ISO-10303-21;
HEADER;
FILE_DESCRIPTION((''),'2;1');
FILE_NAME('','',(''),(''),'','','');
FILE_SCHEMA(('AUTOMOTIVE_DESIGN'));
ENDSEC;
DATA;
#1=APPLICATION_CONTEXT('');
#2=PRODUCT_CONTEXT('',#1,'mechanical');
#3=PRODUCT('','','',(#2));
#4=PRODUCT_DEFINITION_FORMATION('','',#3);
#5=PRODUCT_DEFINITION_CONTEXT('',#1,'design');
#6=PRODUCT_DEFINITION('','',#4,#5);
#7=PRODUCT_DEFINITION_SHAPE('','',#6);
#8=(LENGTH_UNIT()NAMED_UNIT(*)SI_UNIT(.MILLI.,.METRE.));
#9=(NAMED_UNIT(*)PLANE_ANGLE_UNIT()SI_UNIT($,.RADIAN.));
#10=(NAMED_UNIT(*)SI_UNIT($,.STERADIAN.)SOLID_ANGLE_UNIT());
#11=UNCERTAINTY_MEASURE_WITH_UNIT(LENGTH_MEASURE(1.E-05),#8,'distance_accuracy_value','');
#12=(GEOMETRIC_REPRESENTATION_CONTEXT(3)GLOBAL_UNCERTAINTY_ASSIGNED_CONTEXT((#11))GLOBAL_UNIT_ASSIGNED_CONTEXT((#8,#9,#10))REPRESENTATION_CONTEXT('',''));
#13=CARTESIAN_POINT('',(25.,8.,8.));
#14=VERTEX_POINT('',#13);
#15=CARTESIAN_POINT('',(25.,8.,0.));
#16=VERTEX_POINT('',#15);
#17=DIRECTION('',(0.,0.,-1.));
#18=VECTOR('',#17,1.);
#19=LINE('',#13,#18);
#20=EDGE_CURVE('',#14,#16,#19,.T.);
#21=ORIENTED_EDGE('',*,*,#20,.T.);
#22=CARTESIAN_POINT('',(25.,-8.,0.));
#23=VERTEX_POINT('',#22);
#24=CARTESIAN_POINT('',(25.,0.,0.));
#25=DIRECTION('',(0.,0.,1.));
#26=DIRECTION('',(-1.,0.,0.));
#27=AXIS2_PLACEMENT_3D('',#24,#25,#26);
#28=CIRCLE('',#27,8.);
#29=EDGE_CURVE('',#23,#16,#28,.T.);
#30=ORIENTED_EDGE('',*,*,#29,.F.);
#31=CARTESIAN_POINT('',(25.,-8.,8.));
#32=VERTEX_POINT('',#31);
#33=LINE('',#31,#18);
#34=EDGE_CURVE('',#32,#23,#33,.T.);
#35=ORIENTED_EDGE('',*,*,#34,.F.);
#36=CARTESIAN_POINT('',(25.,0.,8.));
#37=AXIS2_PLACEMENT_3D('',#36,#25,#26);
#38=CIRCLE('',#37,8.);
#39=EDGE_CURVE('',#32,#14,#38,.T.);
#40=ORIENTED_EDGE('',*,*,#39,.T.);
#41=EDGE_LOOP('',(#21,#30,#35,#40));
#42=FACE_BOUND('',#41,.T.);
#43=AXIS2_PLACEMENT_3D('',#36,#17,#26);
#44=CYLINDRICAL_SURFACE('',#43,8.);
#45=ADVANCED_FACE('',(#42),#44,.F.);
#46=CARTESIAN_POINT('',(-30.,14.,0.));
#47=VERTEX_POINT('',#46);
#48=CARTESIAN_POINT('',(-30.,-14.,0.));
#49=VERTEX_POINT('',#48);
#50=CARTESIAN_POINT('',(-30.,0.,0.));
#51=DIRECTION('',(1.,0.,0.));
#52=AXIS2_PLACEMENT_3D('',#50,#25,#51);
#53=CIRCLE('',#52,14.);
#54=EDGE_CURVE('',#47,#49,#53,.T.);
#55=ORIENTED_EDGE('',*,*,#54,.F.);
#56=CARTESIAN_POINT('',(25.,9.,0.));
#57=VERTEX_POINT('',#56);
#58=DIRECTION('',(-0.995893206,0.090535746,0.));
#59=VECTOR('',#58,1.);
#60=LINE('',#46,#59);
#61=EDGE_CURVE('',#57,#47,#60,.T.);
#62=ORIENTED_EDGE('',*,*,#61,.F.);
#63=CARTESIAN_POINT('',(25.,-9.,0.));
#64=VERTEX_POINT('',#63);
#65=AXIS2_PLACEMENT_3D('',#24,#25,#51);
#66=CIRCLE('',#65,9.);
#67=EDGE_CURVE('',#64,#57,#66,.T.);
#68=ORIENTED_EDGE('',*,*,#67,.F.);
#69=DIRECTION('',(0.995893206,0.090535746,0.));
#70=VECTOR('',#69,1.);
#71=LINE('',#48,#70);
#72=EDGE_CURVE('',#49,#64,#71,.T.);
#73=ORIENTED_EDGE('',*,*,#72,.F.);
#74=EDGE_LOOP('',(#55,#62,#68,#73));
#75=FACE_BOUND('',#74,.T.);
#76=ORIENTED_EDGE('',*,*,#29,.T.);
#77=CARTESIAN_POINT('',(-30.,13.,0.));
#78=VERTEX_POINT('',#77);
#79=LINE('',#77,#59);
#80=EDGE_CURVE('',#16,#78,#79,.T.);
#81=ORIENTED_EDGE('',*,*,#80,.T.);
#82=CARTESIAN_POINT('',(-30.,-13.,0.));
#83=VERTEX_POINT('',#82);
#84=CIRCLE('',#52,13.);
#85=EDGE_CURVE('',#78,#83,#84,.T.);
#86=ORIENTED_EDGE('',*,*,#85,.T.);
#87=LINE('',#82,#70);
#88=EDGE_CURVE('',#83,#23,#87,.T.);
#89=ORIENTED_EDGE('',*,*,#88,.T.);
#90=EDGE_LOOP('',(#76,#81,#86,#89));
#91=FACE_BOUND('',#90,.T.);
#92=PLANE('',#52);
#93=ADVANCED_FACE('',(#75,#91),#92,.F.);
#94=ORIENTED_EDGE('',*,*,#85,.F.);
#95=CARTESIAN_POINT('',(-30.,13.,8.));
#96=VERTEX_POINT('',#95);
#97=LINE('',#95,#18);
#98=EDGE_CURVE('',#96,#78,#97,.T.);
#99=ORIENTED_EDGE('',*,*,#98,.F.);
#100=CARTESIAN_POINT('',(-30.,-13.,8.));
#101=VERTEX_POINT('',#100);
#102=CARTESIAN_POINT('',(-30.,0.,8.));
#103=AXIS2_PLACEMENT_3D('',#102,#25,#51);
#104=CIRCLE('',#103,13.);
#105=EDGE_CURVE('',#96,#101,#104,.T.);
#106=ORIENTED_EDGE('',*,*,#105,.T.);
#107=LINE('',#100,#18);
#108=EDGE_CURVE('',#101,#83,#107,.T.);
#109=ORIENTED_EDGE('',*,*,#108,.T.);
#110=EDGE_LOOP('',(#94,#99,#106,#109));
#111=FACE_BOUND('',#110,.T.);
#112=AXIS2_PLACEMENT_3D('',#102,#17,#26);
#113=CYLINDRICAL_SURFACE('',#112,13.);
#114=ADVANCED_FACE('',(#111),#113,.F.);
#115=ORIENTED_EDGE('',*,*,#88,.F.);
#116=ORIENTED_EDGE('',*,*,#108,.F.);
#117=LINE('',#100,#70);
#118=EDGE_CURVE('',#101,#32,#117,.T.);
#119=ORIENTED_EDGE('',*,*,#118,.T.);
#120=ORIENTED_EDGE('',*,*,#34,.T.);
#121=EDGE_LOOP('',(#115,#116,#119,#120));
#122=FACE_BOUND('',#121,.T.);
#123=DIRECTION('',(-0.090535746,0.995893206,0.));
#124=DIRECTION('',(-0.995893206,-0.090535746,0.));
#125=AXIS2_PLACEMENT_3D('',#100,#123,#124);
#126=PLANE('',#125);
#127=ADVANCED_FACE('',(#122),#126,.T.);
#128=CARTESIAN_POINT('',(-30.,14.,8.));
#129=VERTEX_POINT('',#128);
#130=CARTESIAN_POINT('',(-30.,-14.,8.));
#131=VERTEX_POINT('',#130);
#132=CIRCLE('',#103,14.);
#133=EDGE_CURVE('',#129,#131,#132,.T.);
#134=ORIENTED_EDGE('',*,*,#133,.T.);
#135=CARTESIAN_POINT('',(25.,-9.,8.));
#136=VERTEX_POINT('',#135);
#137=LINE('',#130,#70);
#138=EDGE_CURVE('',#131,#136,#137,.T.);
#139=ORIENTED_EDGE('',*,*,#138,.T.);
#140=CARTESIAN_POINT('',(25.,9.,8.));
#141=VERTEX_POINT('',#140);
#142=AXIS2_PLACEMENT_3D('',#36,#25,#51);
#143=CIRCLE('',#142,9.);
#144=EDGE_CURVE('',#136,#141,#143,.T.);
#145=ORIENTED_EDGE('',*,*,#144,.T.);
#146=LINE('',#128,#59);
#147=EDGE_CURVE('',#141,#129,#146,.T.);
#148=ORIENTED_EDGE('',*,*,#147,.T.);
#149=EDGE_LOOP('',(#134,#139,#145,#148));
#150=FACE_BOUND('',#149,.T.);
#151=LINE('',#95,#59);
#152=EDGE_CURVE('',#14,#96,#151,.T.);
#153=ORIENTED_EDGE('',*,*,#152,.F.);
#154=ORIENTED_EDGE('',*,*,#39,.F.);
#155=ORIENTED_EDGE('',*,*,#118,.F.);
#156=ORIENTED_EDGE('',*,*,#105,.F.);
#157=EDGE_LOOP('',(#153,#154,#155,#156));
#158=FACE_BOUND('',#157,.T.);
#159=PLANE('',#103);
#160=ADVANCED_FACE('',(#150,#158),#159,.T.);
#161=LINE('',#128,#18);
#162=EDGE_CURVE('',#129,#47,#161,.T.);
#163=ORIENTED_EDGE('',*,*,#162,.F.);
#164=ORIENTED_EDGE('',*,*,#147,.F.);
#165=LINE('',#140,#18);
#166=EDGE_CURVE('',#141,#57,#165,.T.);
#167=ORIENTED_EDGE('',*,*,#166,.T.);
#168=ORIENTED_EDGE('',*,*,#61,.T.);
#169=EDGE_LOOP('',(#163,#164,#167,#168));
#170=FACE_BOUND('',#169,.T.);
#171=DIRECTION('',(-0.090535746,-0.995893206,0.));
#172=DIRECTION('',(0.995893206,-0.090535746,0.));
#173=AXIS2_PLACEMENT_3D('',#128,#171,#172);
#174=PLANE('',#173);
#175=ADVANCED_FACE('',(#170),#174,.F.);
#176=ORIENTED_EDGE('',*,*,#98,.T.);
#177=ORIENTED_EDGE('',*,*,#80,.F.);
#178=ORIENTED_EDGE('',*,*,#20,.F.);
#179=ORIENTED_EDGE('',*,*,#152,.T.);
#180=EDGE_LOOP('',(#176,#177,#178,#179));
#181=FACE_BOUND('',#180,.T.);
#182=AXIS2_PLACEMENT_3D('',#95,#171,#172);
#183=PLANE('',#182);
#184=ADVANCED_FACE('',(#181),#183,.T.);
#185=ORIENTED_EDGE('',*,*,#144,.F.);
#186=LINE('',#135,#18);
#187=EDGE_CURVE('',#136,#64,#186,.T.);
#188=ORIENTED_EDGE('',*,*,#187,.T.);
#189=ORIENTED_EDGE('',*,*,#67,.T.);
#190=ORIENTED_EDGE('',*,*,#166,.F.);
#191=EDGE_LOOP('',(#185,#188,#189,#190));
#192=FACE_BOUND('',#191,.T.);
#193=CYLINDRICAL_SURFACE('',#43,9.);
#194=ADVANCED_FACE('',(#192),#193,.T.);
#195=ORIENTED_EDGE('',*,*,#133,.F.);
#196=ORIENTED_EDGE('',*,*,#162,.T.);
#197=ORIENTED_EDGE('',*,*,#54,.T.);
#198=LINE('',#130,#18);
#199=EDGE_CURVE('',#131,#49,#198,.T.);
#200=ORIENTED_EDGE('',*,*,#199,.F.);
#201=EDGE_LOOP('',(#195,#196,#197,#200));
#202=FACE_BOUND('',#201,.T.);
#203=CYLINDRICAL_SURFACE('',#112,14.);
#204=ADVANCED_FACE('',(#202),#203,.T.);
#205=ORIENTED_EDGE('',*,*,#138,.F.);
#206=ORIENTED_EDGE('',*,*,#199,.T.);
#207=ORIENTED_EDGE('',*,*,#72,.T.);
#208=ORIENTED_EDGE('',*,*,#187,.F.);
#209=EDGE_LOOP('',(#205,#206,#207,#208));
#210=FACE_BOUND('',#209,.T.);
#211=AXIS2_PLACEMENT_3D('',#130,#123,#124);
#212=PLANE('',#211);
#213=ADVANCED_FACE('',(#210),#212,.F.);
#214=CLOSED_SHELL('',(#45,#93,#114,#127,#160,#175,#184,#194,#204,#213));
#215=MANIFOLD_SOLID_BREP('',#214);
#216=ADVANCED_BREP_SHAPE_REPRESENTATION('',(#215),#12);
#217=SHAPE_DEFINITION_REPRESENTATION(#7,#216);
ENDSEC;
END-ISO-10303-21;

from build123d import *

# Parameters (mm, degrees)
BOSS_EXTRU_1_DEPTH = 8


with BuildPart() as part:
    # Esquisse1 → Boss.-Extru.1 (new body)
    with BuildSketch(Plane.XY):
        with BuildLine():
            Line((-30, 14), (25, 9))
            ThreePointArc((25, 9), (34, 0), (25, -9))
            Line((25, -9), (-30, -14))
            ThreePointArc((-30, -14), (-44, 0), (-30, 14))
        make_face()
        with BuildLine():
            Line((-30, -13), (25, -8))
            ThreePointArc((25, -8), (33, 0), (25, 8))
            Line((25, 8), (-30, 13))
            ThreePointArc((-30, 13), (-43, 0), (-30, -13))
        make_face(mode=Mode.SUBTRACT)
    extrude(amount=BOSS_EXTRU_1_DEPTH)


solid = part.part
